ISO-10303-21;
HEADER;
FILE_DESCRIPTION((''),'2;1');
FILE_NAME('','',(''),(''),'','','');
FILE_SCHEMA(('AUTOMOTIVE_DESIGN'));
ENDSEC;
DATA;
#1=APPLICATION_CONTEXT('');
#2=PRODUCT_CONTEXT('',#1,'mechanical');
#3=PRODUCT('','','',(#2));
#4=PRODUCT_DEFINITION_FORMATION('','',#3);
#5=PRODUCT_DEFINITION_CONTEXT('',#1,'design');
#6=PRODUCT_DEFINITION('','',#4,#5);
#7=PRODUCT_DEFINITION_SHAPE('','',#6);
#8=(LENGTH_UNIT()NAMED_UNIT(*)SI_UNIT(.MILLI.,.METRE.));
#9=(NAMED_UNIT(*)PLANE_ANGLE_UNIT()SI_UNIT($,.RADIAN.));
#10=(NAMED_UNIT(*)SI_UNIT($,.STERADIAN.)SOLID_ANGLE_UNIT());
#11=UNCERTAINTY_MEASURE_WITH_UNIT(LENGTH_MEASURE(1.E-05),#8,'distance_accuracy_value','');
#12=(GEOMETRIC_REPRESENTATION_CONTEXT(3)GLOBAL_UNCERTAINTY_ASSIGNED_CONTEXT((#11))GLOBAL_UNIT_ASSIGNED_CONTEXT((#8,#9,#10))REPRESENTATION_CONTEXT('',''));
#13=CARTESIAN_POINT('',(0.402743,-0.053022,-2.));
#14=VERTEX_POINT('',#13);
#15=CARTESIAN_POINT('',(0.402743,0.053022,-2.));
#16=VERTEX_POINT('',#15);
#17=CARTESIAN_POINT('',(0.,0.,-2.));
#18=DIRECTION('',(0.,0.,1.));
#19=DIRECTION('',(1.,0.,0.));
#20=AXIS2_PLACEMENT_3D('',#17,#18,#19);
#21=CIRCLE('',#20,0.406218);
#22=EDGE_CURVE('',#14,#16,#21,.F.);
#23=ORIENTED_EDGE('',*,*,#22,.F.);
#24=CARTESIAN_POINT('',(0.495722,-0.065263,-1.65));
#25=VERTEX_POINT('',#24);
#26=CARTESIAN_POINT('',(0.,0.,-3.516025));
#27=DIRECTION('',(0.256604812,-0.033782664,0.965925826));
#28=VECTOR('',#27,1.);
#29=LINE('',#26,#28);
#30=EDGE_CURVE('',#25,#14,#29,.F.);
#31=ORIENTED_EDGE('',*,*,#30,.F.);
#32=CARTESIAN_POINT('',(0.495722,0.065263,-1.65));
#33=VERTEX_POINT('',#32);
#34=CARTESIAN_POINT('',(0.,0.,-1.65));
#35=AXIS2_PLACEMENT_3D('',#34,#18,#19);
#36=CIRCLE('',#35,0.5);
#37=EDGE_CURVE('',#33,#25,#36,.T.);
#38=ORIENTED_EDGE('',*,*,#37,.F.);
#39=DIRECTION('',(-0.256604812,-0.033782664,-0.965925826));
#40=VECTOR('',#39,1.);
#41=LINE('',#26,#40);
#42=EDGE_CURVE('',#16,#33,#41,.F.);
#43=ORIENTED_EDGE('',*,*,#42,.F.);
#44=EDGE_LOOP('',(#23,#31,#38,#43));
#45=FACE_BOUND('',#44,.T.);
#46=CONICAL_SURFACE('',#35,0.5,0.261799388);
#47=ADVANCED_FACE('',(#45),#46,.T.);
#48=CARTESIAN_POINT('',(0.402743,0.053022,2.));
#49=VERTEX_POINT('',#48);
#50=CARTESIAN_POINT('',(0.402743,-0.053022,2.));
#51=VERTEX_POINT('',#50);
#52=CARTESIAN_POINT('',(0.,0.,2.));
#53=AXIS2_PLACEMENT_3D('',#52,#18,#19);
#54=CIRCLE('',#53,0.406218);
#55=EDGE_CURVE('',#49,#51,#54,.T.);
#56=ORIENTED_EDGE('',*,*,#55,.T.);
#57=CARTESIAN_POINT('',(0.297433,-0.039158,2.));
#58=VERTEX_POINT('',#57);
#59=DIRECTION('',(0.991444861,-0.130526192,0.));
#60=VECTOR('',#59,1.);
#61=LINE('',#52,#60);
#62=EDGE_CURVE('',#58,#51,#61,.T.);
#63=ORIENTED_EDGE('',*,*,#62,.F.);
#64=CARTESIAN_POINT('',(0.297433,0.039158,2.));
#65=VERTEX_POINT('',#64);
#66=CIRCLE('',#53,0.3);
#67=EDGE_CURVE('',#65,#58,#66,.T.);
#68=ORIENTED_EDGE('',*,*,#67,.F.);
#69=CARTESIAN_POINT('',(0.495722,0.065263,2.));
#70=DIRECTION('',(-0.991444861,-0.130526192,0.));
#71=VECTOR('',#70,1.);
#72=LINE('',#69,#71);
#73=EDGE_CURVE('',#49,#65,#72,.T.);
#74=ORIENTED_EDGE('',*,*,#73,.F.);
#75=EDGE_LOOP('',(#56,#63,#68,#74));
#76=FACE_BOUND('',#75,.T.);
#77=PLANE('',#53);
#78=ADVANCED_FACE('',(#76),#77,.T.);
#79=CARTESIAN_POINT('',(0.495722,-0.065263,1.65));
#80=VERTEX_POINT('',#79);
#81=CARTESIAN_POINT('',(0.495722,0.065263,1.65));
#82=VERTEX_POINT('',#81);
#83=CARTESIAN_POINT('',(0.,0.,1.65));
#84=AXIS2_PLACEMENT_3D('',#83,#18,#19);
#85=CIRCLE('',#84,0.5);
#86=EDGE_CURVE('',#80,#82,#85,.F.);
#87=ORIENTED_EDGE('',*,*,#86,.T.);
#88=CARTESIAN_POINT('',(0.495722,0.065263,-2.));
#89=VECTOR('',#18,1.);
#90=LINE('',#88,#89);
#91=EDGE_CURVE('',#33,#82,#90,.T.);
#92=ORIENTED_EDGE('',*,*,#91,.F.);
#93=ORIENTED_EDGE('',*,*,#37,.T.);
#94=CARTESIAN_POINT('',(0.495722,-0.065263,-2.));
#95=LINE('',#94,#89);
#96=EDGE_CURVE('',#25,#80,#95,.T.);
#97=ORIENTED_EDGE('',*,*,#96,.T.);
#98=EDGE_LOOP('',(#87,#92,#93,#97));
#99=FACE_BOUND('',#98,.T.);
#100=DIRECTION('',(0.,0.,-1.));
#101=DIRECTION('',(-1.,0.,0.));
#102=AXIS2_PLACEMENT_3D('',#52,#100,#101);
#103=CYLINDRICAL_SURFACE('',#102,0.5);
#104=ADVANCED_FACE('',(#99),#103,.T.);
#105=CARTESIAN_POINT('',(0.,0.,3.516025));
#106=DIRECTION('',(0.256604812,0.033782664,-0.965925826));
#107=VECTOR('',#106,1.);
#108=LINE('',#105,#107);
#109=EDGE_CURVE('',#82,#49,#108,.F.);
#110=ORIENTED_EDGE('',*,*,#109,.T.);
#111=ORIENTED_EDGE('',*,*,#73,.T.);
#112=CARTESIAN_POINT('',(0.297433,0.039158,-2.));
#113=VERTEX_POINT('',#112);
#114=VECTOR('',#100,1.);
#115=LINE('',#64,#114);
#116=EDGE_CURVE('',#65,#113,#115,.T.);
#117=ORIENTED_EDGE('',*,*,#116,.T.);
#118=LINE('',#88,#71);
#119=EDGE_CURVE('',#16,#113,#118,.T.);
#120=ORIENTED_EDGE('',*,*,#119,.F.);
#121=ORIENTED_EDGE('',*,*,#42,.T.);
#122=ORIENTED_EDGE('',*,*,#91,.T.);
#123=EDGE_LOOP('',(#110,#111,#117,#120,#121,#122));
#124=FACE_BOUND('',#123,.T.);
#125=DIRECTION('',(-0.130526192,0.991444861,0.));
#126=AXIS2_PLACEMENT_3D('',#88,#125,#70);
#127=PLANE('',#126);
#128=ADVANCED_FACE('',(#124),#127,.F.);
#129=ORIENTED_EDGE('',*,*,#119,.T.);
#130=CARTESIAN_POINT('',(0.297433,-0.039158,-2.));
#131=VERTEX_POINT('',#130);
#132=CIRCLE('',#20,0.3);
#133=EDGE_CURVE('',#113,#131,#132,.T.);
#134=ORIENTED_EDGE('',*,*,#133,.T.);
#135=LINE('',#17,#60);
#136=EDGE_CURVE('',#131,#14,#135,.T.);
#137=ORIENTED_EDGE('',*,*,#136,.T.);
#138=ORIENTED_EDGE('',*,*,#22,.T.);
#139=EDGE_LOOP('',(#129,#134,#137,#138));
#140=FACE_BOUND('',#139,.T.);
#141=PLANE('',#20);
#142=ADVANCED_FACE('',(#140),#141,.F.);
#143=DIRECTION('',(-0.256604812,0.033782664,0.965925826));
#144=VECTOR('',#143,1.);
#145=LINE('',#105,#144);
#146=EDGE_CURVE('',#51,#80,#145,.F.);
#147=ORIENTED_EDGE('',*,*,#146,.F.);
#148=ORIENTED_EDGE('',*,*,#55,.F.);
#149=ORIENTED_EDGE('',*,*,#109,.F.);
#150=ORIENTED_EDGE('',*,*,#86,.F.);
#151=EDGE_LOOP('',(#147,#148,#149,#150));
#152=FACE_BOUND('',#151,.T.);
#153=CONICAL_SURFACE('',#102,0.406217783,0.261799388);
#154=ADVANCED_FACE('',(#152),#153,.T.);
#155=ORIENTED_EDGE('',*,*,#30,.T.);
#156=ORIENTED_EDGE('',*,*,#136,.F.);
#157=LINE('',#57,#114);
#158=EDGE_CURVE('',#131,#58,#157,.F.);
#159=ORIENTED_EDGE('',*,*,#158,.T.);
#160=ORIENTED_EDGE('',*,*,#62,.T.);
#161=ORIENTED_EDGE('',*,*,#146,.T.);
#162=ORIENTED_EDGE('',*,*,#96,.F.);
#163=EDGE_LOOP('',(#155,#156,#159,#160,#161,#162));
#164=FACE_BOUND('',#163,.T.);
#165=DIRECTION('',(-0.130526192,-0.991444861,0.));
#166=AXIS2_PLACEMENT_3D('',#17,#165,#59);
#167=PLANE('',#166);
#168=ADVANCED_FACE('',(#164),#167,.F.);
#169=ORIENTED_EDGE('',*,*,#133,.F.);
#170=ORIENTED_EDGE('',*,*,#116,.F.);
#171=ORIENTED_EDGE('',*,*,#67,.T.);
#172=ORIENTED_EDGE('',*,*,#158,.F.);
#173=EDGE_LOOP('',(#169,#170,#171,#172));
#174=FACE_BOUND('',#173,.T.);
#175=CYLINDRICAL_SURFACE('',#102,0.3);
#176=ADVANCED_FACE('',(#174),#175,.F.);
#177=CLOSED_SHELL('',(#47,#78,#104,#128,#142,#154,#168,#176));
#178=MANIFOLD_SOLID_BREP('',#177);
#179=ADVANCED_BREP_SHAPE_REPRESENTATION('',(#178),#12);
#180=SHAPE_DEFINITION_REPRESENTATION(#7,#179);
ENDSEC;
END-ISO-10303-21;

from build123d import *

# Parameters (mm, degrees)
SKICA1_R                 = 0.5
SKICA1_R_2               = 0.3
VYSUNOUT1_DEPTH          = 2
ZKOSIT1_SIZE             = 0.35
ZKOSIT1_SIZE2            = 0.093782217
ODEBRAT_VYSUNUT_M1_DEPTH = 5.062019202


with BuildPart() as part:
    # Skica1 → Vysunout1 (new, symmetric)
    with BuildSketch(Plane.XY):
        Circle(SKICA1_R)
        Circle(SKICA1_R_2, mode=Mode.SUBTRACT)
    extrude(amount=VYSUNOUT1_DEPTH, both=True)

    # Zkosit1
    zkosit1_edges = [part.edges().sort_by_distance(p)[0] for p in [
        (-0.5, 0, -2),
        (-0.5, 0, 2),
    ]]
    zkosit1_side = [part.faces().sort_by_distance(p)[0] for p in [
        (-0.5, 0, 0),
    ]]
    chamfer(zkosit1_edges, length=ZKOSIT1_SIZE, length2=ZKOSIT1_SIZE2, reference=zkosit1_side[0])

    # Skica2 → Odebrat vysunutím1 (cut, through all)
    with BuildSketch(Plane.XY.offset(2)):
        with BuildLine():
            Line((0.495722431, 0.065263096), (0, 0))
            Line((0, 0), (0.495722431, -0.065263096))
            ThreePointArc((0.495722431, -0.065263096), (0.5, 0), (0.495722431, 0.065263096))
        make_face()
    extrude(amount=-ODEBRAT_VYSUNUT_M1_DEPTH, mode=Mode.SUBTRACT)


solid = part.part
